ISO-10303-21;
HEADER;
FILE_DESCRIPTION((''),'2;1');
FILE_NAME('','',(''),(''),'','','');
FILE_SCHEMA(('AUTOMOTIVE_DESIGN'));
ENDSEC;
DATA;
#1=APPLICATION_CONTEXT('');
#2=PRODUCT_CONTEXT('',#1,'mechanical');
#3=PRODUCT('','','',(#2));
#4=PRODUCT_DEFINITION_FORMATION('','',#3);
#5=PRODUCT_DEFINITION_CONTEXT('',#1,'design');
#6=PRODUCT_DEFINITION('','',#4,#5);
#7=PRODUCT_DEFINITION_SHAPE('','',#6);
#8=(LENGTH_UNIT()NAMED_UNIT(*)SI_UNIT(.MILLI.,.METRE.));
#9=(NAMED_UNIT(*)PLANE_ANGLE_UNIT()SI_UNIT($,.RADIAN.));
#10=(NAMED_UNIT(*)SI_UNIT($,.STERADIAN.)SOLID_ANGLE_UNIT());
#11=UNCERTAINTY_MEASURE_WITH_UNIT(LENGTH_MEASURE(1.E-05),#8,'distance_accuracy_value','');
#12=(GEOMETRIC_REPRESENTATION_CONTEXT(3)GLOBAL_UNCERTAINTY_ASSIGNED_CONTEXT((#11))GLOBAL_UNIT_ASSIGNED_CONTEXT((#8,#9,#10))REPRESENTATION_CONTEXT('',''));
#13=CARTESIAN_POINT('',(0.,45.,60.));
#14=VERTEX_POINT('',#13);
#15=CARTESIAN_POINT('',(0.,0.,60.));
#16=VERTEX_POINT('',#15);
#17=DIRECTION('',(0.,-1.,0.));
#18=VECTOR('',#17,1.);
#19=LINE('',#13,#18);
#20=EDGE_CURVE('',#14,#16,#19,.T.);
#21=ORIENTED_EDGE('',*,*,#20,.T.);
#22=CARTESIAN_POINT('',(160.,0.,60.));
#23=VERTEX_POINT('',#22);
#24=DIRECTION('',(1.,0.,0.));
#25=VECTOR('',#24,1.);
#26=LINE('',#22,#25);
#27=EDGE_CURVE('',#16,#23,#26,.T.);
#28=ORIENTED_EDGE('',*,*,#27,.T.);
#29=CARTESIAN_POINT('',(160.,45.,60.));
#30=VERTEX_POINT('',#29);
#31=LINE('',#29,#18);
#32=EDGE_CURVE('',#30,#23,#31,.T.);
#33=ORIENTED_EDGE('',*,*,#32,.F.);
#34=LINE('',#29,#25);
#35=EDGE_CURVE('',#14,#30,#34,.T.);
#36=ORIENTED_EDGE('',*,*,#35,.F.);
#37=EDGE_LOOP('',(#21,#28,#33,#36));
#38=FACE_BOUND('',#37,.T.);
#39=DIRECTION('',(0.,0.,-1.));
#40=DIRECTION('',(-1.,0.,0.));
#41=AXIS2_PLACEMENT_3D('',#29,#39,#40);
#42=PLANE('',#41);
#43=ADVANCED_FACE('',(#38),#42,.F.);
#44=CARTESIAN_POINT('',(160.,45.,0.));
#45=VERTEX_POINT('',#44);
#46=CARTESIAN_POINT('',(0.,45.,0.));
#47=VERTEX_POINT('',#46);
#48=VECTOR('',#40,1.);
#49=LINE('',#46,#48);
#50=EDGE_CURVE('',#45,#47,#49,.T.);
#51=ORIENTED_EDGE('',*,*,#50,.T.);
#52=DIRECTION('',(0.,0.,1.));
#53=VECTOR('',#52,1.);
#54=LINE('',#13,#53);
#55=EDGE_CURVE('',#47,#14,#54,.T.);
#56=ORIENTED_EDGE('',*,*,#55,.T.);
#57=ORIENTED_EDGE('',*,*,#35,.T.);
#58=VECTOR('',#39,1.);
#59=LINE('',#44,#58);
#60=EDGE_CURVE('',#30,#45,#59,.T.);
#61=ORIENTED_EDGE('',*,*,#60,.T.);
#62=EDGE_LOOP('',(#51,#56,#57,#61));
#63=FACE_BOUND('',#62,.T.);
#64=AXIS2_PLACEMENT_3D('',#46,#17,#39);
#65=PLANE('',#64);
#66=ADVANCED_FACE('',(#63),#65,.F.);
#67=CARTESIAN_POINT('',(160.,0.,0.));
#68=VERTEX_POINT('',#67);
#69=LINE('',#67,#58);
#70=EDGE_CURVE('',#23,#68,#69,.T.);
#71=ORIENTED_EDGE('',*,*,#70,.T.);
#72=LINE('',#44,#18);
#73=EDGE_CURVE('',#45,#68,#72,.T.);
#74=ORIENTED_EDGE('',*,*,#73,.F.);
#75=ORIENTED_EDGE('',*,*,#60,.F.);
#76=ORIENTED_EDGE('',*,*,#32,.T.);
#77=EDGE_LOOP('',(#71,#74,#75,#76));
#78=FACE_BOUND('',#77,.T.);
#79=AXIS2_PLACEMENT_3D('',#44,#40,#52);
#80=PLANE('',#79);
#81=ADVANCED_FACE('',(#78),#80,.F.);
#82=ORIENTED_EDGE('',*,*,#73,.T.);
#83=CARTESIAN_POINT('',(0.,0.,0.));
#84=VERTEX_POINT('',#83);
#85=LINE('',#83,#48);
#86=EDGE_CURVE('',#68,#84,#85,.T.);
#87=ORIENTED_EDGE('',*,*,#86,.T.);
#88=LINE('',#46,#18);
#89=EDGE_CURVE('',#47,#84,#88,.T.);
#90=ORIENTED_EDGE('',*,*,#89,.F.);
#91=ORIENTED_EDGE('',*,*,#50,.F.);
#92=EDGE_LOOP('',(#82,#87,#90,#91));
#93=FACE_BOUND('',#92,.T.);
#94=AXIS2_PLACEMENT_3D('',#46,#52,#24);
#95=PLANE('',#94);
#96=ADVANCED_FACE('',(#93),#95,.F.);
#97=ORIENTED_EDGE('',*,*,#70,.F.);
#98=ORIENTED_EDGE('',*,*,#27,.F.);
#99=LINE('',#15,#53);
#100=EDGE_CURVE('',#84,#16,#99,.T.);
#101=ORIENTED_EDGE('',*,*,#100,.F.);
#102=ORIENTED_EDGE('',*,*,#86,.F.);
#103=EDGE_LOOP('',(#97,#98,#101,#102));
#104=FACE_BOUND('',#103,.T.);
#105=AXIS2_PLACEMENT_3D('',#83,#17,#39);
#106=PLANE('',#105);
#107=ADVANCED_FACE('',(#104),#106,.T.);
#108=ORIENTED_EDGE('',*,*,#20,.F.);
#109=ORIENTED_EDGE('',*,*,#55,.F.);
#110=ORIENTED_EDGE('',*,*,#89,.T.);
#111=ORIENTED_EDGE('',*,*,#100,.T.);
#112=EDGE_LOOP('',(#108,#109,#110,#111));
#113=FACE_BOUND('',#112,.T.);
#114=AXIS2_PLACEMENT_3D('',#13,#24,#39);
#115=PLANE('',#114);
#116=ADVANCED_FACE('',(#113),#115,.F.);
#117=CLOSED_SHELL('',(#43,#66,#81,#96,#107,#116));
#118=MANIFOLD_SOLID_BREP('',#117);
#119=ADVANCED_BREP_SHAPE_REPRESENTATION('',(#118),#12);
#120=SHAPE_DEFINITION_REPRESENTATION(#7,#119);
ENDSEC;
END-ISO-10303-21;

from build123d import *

# Parameters (mm, degrees)
SKETCH_1_W      = 160
SKETCH_1_H      = 60
EXTRUDE_1_DEPTH = 45


with BuildPart() as part:
    # 草图1 → 凸台-拉伸1 (new body)
    with BuildSketch(Plane(origin=(0, 0, 0), x_dir=(1, 0, 0), z_dir=(0, 1, 0))):
        with Locations((80, -30)):
            Rectangle(SKETCH_1_W, SKETCH_1_H)
    extrude(amount=EXTRUDE_1_DEPTH)


solid = part.part
